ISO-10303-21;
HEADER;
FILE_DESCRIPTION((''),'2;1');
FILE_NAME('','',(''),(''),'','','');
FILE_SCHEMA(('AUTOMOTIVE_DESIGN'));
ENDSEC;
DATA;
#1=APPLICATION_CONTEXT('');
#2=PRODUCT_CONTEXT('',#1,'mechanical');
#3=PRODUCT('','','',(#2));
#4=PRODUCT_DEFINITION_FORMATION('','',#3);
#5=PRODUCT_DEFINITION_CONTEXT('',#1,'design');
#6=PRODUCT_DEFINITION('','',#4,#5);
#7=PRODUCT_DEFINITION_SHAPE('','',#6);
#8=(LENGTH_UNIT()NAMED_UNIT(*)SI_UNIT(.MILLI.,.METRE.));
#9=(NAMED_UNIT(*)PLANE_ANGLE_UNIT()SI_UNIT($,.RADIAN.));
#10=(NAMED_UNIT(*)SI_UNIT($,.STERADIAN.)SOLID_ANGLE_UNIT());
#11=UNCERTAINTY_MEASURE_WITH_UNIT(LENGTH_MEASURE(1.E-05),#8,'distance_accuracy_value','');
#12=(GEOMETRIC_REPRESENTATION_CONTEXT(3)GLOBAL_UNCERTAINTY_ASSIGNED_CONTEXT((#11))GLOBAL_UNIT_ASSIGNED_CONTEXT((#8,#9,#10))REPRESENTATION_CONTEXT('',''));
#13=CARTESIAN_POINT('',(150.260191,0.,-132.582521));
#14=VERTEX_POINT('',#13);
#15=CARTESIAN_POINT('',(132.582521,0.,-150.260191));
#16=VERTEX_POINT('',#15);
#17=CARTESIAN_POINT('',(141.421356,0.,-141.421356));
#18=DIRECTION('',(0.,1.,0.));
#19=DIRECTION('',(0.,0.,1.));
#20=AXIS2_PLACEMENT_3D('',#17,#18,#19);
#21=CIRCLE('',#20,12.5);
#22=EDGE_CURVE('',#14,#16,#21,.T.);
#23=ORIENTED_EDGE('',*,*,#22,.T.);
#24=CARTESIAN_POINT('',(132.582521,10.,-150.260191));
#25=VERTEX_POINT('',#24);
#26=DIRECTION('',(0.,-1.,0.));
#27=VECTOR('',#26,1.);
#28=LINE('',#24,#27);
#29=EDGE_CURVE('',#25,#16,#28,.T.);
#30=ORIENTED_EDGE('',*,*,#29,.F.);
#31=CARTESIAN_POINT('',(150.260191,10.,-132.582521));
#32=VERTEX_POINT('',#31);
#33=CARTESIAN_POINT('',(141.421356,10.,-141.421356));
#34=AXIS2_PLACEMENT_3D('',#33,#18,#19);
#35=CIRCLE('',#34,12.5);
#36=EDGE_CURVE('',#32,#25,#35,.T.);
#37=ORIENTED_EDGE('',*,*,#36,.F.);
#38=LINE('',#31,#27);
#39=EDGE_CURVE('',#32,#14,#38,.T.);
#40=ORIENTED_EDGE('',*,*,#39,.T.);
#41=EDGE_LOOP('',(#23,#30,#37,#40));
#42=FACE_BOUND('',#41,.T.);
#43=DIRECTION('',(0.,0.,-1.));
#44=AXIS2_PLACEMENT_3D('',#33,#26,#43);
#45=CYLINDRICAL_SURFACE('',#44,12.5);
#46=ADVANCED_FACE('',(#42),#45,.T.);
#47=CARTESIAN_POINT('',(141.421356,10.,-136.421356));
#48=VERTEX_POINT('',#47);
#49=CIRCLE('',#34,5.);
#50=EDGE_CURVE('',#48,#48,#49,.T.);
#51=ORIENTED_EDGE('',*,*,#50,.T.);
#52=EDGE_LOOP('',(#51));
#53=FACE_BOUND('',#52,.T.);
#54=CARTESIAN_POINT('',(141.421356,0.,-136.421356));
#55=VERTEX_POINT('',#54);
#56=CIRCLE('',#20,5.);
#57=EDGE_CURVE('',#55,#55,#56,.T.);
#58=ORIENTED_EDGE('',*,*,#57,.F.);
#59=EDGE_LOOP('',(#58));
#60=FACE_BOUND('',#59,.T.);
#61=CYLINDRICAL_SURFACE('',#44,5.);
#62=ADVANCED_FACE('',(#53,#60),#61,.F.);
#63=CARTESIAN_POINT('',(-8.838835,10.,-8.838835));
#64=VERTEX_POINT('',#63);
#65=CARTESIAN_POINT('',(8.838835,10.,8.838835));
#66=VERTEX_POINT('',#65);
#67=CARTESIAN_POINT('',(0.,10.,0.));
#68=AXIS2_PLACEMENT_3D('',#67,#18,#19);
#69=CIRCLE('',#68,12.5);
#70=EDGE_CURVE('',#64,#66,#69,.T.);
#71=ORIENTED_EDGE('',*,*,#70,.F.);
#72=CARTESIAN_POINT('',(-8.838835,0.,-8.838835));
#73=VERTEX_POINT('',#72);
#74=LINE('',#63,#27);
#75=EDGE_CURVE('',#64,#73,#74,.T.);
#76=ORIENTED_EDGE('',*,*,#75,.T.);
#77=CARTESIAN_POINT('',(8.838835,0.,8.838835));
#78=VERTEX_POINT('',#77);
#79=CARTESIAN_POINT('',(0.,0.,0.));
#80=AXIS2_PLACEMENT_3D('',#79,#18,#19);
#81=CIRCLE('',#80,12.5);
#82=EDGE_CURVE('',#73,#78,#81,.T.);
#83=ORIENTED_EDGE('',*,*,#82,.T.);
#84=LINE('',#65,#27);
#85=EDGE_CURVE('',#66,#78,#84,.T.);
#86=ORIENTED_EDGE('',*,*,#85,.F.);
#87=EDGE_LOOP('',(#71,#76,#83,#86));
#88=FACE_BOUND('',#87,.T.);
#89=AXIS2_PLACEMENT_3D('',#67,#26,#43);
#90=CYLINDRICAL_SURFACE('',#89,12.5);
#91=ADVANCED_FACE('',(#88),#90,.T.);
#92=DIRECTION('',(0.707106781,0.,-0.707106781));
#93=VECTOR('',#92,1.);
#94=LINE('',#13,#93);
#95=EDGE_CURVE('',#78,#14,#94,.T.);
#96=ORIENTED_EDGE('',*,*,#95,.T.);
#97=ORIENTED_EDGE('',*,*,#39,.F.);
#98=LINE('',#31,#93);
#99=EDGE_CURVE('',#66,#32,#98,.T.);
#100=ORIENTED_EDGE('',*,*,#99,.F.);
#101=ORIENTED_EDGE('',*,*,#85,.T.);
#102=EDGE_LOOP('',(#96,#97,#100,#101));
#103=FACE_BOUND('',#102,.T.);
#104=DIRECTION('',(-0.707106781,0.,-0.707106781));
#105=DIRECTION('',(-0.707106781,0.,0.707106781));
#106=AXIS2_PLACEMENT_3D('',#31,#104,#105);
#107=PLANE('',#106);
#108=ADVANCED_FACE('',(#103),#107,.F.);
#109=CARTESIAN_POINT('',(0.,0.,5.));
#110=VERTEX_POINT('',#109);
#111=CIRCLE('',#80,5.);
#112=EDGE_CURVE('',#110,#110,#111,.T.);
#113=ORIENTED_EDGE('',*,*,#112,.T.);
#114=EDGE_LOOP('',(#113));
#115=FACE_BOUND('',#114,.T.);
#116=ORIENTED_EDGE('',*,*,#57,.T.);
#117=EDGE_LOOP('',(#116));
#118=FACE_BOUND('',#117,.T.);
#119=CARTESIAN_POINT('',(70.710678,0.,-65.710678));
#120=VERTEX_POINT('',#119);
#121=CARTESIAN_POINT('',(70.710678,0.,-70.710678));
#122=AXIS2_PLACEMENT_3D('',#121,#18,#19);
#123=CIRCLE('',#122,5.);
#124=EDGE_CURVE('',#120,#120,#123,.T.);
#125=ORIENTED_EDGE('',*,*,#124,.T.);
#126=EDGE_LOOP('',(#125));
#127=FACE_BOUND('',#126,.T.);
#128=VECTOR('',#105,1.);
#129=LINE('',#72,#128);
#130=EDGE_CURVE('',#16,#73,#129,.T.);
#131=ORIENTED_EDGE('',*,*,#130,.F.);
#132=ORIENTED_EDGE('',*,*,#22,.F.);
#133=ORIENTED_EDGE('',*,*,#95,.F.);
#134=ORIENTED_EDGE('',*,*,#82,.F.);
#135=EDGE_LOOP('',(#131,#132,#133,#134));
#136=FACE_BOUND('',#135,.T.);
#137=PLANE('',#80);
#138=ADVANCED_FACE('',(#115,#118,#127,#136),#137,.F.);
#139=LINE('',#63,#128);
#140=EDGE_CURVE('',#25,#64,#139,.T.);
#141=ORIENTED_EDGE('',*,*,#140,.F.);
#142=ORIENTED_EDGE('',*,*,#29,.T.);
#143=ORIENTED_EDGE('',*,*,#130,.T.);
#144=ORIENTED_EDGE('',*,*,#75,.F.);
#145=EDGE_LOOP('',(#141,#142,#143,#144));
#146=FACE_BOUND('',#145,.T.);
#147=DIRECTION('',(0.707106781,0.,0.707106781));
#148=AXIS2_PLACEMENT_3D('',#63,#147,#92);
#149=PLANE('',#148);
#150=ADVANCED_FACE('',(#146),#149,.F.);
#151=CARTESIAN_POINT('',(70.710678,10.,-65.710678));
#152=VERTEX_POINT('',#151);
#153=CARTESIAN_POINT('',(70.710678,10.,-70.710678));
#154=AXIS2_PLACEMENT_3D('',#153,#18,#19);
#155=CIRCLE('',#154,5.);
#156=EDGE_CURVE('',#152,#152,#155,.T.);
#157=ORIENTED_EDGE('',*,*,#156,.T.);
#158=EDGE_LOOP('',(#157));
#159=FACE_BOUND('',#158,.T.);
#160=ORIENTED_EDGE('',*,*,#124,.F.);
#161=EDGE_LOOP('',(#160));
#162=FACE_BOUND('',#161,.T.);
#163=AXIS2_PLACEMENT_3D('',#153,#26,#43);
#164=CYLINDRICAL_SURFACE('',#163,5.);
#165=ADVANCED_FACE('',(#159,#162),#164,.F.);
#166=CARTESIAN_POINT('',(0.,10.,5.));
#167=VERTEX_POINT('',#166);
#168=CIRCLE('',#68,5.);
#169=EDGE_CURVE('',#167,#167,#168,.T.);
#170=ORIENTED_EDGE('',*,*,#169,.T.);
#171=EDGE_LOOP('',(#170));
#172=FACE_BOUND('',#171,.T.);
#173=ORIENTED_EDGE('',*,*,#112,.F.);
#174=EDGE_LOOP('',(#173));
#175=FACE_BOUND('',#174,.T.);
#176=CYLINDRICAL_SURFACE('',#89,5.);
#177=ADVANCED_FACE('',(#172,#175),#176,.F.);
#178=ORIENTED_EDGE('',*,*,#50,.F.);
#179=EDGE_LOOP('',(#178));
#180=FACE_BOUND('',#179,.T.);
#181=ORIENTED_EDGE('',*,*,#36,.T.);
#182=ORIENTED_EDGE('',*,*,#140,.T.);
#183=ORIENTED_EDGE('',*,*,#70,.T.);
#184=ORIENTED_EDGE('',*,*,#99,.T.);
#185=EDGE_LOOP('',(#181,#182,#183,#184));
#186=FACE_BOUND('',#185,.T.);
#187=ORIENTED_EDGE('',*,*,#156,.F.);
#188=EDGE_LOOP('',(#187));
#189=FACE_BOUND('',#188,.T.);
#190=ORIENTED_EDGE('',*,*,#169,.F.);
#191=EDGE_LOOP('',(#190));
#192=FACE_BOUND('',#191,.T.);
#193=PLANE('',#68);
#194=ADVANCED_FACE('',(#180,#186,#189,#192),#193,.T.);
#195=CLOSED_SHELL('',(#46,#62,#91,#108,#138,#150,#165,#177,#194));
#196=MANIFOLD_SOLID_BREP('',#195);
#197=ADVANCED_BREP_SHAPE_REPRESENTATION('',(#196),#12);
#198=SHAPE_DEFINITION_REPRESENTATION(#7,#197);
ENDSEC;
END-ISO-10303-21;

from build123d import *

# Parameters (mm, degrees)
SKETCH1_R           = 5
BOSS_EXTRUDE1_DEPTH = 10


with BuildPart() as part:
    # Sketch1 → Boss-Extrude1 (new body)
    with BuildSketch(Plane(origin=(0, 0, 0), x_dir=(1, 0, 0), z_dir=(0, 1, 0))):
        with BuildLine():
            Line((-8.838834765, 8.838834765), (132.582521472, 150.260191002))
            ThreePointArc((132.582521472, 150.260191002), (150.260191002, 150.260191002), (150.260191002, 132.582521472))
            Line((150.260191002, 132.582521472), (8.838834765, -8.838834765))
            ThreePointArc((8.838834765, -8.838834765), (-8.838834765, -8.838834765), (-8.838834765, 8.838834765))
        make_face()
        with Locations(Location((0, 0, 0), (0, 0, 270))):
            Circle(SKETCH1_R, mode=Mode.SUBTRACT)
        with Locations(Location((141.421356237, 141.421356237, 0), (0, 0, 270))):
            Circle(SKETCH1_R, mode=Mode.SUBTRACT)
        with Locations(Location((70.710678119, 70.710678119, 0), (0, 0, 270))):
            Circle(SKETCH1_R, mode=Mode.SUBTRACT)
    extrude(amount=BOSS_EXTRUDE1_DEPTH)


solid = part.part
